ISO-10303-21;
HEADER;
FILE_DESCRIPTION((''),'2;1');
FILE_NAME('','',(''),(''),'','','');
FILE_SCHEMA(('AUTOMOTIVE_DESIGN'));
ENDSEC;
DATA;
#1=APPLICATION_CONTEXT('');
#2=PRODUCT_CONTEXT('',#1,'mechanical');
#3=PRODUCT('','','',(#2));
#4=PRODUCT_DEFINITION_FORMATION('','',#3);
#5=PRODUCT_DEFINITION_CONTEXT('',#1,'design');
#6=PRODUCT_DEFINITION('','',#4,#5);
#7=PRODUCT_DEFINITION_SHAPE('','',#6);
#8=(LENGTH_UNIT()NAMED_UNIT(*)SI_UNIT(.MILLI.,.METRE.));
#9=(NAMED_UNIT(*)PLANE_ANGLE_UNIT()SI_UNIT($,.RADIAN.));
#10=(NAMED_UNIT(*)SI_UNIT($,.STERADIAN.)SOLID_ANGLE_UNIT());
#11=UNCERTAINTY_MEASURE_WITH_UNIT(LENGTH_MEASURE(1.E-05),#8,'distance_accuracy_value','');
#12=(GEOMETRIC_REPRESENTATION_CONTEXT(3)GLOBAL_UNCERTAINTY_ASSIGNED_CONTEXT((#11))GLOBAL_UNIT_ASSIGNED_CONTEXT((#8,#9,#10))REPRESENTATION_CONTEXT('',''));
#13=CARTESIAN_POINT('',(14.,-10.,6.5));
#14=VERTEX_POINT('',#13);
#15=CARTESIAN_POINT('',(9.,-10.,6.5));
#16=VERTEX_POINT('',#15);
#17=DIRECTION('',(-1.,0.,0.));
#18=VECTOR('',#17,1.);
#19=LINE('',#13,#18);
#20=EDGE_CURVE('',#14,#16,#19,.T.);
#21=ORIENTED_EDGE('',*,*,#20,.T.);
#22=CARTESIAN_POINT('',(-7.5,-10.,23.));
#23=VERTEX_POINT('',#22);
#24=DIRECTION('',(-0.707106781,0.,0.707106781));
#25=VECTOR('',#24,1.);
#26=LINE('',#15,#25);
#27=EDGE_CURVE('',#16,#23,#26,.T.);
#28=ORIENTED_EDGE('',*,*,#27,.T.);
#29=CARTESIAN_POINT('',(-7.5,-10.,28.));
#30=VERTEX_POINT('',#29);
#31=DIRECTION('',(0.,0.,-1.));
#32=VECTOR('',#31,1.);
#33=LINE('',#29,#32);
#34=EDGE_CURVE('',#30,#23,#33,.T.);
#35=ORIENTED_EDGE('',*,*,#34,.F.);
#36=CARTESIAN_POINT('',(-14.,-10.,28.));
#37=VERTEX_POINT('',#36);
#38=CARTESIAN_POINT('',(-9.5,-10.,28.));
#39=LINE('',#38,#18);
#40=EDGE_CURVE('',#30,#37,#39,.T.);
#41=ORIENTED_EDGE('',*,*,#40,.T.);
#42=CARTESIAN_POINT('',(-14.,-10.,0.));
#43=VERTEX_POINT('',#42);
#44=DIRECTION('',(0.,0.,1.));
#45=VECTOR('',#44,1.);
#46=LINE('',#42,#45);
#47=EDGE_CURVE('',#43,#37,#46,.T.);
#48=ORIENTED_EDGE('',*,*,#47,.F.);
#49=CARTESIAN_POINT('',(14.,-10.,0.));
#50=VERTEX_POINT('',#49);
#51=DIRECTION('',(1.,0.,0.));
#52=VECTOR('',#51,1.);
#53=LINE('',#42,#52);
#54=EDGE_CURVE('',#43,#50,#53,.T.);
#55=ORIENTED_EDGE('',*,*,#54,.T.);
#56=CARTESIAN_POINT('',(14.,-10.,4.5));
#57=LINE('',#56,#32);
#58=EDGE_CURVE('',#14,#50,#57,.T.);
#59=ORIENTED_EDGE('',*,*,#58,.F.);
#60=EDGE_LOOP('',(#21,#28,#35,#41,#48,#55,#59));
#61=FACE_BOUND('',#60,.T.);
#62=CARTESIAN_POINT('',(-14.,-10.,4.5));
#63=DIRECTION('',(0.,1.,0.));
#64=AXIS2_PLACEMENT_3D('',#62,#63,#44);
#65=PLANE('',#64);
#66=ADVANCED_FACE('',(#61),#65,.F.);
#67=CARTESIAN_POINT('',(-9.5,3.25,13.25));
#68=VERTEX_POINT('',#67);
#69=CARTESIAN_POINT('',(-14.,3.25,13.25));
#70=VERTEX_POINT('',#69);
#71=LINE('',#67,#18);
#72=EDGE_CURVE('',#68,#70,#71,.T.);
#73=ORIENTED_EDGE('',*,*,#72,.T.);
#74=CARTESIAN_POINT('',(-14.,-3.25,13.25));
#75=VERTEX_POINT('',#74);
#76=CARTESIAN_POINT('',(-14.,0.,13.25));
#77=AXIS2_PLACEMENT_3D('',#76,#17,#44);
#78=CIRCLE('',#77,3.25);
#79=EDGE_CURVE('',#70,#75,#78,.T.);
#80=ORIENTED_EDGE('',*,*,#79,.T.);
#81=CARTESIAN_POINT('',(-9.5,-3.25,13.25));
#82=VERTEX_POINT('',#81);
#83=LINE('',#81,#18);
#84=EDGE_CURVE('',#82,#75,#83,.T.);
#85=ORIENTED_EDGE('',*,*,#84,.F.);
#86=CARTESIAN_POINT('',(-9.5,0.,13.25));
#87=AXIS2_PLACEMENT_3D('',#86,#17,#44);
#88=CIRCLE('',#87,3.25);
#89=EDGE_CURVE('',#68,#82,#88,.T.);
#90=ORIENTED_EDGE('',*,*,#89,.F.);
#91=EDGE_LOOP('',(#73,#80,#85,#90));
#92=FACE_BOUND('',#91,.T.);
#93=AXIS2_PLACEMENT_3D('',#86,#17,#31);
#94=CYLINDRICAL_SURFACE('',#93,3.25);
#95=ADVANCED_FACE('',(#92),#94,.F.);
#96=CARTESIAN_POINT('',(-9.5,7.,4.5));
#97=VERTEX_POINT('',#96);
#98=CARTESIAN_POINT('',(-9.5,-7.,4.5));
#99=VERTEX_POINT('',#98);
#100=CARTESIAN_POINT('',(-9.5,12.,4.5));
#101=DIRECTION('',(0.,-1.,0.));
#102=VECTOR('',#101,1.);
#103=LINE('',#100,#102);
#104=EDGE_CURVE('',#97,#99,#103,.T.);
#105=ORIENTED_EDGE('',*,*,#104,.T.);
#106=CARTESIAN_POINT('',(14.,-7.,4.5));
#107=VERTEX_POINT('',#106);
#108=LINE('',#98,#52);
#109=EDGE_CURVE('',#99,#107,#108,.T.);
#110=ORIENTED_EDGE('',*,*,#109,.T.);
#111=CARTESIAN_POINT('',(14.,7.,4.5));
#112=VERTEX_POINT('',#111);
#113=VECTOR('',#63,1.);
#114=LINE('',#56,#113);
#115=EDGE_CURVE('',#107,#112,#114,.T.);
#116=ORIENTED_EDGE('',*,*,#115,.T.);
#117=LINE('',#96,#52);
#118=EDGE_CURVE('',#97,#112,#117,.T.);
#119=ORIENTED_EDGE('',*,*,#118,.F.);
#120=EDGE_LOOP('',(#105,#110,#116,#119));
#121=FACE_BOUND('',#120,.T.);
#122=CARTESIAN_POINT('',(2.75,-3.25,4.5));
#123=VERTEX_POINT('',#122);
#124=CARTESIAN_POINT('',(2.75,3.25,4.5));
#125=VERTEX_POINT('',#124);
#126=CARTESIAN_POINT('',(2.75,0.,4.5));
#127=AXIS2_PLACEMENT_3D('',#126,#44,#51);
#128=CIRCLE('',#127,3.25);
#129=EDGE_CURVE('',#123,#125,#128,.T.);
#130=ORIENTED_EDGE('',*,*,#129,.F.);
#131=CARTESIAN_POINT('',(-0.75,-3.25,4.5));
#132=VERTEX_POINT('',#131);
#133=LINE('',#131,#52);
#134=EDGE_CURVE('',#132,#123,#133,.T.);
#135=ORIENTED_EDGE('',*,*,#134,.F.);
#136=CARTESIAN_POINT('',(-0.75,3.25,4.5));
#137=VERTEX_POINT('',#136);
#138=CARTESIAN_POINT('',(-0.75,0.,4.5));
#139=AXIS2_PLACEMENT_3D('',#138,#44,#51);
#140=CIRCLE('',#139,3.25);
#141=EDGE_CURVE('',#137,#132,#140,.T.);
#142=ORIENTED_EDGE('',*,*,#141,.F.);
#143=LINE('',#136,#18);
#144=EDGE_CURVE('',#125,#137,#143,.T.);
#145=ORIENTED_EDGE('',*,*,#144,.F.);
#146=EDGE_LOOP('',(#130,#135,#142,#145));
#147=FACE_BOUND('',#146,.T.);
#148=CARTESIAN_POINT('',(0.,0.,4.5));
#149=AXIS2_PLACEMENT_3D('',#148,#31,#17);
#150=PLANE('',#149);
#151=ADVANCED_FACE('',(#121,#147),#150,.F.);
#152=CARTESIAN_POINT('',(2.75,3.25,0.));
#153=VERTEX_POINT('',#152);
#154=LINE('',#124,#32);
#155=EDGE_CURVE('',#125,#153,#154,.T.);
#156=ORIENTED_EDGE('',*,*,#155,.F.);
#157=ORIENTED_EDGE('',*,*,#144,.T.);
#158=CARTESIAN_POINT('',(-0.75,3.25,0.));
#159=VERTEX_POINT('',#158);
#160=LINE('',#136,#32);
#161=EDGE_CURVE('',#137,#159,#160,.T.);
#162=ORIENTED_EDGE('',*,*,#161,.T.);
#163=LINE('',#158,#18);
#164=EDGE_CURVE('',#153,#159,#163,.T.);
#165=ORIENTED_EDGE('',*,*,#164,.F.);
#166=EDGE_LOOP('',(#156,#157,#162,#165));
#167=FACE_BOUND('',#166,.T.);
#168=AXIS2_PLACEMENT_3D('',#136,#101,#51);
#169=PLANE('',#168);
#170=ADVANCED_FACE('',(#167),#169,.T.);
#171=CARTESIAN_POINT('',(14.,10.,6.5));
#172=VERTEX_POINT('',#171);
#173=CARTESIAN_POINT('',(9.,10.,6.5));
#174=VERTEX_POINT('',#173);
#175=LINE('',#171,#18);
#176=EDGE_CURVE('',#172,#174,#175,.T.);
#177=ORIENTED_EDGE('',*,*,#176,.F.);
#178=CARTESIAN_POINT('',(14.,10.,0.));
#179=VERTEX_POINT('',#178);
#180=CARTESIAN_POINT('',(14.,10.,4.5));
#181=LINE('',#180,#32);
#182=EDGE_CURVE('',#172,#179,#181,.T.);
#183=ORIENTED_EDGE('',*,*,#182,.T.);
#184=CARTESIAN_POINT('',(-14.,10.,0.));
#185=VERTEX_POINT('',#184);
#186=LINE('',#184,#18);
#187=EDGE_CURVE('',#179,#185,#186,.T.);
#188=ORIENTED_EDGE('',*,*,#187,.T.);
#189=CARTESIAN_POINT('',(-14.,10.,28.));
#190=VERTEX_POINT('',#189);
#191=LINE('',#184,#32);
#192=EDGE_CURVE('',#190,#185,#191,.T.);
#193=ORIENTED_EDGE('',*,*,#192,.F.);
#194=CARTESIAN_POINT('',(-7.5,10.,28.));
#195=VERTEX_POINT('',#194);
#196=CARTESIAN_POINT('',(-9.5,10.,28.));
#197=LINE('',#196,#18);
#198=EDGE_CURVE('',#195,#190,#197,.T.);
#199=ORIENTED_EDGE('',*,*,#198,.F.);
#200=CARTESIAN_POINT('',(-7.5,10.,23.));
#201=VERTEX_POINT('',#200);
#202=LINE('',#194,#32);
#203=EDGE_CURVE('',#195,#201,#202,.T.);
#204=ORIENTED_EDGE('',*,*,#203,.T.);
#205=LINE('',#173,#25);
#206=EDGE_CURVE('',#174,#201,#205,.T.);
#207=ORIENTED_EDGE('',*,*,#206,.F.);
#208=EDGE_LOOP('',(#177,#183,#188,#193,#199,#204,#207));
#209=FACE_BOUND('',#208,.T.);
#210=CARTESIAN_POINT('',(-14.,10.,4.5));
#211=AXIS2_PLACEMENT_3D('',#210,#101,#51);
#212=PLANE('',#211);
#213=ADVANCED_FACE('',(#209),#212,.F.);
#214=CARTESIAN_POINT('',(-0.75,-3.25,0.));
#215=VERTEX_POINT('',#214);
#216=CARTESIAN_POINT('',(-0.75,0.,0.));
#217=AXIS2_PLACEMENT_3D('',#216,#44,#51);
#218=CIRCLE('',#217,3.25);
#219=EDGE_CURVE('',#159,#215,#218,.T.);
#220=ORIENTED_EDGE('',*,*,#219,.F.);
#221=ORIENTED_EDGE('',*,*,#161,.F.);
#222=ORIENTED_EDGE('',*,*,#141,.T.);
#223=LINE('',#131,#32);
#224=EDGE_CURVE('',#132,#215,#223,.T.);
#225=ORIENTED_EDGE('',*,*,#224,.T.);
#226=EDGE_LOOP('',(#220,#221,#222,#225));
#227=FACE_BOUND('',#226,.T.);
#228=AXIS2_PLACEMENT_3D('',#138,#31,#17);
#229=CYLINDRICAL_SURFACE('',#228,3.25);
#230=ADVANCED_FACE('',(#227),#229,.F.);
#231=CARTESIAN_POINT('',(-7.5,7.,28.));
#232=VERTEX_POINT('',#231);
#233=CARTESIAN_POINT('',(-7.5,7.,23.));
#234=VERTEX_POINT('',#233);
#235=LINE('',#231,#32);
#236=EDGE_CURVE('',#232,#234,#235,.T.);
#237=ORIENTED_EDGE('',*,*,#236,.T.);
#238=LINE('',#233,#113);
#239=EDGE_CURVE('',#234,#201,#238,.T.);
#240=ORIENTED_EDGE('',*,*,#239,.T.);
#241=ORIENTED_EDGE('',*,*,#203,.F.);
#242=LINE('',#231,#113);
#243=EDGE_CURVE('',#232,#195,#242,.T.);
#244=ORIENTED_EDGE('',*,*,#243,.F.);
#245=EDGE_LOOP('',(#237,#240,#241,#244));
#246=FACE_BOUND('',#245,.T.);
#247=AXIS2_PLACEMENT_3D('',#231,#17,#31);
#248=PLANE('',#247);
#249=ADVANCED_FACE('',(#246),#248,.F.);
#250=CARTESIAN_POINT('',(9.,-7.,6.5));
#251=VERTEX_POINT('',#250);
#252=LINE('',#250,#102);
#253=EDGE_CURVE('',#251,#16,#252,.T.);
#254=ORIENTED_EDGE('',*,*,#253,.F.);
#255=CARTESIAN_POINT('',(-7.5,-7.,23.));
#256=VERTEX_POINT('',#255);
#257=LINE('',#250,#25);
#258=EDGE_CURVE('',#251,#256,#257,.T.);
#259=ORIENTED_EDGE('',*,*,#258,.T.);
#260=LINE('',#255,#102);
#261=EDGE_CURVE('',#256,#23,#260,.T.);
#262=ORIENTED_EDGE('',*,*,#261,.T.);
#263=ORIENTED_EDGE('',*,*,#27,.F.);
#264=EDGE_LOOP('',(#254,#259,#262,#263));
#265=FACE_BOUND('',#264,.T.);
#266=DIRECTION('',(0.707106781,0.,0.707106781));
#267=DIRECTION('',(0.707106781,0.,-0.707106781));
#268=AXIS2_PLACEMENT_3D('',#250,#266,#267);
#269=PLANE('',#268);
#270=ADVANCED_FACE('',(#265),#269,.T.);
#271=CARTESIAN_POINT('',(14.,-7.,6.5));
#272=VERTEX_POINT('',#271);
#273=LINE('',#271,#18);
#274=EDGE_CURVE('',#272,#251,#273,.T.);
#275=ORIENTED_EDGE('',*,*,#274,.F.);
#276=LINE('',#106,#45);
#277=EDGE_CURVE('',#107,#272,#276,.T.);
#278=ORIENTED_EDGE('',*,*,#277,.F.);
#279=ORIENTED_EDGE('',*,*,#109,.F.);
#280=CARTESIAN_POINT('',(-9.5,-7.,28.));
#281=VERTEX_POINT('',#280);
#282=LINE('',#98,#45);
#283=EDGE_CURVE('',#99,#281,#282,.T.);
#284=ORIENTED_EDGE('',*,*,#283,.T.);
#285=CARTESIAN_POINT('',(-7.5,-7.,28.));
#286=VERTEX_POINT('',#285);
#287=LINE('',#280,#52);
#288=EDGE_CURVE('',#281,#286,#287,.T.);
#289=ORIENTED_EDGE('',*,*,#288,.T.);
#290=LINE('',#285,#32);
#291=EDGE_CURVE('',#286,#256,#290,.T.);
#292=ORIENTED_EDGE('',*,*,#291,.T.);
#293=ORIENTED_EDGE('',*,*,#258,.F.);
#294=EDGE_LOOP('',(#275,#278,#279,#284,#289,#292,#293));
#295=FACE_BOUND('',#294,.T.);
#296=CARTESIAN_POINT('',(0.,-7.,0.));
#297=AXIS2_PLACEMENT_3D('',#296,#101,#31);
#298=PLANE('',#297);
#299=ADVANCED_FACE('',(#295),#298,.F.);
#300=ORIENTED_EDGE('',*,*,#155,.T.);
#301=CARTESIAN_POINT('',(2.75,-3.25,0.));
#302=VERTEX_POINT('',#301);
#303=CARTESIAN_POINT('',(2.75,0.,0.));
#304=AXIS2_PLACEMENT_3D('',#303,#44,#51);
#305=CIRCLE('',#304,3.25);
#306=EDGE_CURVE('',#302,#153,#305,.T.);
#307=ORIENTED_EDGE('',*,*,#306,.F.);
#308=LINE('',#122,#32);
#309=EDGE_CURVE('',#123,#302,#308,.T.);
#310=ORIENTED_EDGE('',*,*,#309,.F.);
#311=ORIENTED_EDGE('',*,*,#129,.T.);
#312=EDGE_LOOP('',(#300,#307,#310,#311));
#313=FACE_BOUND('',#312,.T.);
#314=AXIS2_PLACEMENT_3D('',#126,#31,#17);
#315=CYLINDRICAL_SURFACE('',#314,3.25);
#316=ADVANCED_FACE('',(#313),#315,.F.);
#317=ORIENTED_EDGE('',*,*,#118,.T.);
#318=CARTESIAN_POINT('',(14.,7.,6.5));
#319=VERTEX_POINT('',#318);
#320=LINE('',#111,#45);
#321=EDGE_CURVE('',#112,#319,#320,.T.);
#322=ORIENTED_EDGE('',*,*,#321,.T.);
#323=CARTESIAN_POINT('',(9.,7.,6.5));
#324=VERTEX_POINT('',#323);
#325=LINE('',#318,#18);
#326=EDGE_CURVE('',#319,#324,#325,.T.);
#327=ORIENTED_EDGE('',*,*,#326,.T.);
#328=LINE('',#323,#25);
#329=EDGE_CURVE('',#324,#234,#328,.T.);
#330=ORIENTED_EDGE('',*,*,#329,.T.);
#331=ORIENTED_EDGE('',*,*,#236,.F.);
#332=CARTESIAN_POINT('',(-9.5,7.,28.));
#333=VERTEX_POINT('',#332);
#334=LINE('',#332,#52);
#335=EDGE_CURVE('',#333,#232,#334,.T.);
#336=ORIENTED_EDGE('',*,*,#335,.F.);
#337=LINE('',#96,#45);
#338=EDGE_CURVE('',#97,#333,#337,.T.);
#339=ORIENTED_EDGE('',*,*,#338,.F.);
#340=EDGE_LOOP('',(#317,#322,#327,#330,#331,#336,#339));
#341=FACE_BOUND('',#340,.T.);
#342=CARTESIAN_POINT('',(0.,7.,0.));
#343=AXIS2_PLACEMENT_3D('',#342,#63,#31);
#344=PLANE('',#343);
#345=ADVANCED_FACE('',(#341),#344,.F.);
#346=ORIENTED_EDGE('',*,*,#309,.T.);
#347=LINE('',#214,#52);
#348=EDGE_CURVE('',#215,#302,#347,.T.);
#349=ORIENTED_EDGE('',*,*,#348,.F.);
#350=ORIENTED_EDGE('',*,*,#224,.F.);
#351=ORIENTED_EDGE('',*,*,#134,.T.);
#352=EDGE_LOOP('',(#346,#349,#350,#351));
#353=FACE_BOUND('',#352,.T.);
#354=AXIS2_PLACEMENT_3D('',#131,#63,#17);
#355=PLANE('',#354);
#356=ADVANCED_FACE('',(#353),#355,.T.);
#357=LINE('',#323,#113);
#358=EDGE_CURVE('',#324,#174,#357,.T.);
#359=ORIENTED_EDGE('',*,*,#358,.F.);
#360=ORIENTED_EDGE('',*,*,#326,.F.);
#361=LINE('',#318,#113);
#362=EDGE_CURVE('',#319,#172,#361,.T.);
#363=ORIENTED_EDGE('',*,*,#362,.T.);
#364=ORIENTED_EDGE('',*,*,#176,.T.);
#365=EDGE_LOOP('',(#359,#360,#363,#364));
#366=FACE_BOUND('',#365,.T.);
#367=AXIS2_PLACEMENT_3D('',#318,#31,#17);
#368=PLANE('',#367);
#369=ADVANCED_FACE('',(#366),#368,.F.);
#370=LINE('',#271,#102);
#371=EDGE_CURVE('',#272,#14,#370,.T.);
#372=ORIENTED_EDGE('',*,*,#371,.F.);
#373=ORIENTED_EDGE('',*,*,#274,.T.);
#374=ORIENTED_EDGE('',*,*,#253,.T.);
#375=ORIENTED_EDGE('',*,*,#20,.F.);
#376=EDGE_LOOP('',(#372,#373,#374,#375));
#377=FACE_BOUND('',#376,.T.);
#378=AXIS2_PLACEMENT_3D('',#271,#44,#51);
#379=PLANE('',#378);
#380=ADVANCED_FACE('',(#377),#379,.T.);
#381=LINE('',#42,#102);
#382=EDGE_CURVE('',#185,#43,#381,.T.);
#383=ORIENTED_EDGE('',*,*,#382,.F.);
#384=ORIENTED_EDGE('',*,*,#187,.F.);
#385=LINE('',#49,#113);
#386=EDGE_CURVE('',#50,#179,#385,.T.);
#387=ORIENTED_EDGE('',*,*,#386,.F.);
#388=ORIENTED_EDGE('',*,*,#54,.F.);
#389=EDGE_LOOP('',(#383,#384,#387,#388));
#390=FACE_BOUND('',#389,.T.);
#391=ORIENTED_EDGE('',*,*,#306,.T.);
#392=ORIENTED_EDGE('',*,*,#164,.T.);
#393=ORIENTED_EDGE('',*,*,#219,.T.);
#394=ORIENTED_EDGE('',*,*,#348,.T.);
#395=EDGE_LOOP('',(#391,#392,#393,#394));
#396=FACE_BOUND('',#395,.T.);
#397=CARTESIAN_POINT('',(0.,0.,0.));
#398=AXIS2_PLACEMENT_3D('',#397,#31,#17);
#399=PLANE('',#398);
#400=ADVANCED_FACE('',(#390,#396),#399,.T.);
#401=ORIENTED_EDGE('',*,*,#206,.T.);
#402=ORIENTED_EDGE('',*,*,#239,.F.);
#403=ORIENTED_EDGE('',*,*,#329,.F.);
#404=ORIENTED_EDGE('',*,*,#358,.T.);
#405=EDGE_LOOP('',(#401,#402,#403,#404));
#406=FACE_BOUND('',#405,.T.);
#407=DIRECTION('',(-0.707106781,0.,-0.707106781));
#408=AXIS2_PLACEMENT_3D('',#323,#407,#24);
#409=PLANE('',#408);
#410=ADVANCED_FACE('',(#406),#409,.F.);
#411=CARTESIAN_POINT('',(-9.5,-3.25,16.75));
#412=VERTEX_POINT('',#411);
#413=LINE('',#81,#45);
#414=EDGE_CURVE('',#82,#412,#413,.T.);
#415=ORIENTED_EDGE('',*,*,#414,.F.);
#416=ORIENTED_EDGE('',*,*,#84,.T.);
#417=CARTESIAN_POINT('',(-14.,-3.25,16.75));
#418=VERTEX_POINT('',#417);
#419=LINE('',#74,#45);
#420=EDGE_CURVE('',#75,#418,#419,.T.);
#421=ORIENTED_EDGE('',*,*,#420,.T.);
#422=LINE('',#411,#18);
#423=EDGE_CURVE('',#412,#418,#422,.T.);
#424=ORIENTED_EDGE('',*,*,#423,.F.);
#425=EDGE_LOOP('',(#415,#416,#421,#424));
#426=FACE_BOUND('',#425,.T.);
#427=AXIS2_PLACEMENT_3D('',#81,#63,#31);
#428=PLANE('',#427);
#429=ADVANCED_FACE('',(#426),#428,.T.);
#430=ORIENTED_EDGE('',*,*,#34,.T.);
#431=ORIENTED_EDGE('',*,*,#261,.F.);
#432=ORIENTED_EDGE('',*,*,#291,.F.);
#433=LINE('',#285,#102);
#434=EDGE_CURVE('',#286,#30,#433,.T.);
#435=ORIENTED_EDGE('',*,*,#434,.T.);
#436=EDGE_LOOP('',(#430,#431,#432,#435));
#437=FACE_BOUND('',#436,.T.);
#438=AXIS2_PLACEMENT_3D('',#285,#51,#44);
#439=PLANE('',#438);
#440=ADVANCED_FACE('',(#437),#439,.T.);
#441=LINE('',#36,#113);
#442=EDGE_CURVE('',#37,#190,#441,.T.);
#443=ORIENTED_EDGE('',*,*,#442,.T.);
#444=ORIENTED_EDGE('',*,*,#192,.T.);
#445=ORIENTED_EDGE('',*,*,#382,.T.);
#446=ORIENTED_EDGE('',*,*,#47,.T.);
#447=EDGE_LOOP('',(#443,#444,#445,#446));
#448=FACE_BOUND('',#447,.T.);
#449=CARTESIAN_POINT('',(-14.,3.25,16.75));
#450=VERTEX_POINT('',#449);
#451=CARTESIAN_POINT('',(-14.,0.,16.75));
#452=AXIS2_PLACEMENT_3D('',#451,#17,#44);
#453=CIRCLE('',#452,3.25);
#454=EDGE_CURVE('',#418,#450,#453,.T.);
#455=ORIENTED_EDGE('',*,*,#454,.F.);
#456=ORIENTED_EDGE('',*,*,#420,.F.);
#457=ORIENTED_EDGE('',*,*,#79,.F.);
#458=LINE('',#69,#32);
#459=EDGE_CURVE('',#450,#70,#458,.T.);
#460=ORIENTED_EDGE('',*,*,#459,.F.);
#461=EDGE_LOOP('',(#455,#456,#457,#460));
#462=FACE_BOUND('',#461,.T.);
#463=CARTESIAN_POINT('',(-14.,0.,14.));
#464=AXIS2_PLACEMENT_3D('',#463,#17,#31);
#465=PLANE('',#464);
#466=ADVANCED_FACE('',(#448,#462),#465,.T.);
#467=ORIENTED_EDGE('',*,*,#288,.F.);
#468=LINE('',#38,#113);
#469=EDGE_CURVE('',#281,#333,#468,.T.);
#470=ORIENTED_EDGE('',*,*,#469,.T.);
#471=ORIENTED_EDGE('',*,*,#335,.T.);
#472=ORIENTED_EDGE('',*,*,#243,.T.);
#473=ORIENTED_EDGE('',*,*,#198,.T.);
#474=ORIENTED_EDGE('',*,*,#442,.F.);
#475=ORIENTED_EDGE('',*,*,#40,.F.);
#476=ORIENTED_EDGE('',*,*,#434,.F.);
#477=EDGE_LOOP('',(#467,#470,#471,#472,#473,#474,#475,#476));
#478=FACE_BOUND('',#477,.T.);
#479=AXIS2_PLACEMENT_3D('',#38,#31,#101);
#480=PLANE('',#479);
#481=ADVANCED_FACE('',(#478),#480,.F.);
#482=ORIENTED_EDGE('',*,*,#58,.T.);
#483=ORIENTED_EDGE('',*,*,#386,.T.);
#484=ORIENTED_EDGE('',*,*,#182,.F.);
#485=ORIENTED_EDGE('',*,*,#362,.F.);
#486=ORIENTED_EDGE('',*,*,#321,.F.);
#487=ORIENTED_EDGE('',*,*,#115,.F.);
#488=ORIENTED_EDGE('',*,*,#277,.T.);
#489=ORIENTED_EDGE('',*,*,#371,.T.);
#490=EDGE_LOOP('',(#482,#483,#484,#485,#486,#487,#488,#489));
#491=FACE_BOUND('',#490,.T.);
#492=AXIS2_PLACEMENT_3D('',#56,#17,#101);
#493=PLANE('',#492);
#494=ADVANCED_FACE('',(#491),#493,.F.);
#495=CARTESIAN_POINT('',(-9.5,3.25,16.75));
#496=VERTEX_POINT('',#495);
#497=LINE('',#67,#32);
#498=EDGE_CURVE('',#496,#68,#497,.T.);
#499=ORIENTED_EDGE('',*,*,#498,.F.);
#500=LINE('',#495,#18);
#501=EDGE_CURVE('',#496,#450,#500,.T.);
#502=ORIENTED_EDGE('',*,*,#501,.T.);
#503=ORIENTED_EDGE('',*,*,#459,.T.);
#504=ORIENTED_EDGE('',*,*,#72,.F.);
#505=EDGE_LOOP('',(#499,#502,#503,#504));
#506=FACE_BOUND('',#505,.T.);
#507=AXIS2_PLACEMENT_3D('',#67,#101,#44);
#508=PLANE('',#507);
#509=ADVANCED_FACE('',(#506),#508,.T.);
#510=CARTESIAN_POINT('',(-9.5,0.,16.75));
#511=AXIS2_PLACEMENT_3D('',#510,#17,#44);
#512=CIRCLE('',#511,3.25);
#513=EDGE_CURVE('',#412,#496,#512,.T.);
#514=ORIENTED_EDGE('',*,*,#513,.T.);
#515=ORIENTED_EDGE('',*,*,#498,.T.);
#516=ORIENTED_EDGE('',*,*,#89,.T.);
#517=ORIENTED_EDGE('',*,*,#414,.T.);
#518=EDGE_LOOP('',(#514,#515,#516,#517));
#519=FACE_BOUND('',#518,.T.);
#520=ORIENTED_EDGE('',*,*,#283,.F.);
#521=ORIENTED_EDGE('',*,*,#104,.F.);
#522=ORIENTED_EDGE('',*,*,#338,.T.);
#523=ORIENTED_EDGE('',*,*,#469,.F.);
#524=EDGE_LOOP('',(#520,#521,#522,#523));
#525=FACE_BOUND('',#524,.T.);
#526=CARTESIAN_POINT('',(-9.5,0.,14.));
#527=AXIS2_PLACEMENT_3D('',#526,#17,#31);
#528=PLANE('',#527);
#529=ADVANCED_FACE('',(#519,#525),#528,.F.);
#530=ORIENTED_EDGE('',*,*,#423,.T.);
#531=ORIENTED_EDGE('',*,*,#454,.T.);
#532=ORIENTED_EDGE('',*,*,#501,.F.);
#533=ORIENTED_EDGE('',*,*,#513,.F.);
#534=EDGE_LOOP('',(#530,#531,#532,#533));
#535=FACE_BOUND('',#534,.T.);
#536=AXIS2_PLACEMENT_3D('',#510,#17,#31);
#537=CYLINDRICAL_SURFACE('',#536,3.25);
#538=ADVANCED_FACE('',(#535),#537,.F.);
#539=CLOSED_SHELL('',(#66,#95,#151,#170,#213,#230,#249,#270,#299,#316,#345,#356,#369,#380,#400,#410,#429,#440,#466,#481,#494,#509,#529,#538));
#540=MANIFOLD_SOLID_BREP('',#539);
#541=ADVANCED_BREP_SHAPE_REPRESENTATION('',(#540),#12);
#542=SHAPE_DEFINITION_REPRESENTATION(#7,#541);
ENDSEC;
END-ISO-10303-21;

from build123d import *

# Parameters (mm, degrees)
SKETCH1_W           = 28
SKETCH1_H           = 20
BOSS_EXTRUDE1_DEPTH = 4.5
CUT_EXTRUDE1_DEPTH  = 22
BOSS_EXTRUDE3_DEPTH = 3


with BuildPart() as part:
    # Sketch1 → Boss-Extrude1 (new body)
    with BuildSketch(Plane.XY):
        Rectangle(SKETCH1_W, SKETCH1_H)
        with BuildLine():
            Line((-0.75, 3.25), (2.75, 3.25))
            ThreePointArc((2.75, 3.25), (6, 0), (2.75, -3.25))
            Line((2.75, -3.25), (-0.75, -3.25))
            ThreePointArc((-0.75, -3.25), (-4, 0), (-0.75, 3.25))
        make_face(mode=Mode.SUBTRACT)
    extrude(amount=BOSS_EXTRUDE1_DEPTH)

    # Sketch3 → Cut-Extrude1 (cut)
    with BuildSketch(Plane(origin=(0, -10, 0), x_dir=(-1, 0, 0), z_dir=(0, -1, 0))):
        Polygon((14, 0), (9.5, -4.5), (14, -4.5), align=None)
    extrude(amount=-CUT_EXTRUDE1_DEPTH, mode=Mode.SUBTRACT)

    # Sketch4 → Boss-Extrude3 (add)
    with BuildSketch(Plane(origin=(0, -10, 0), x_dir=(-1, 0, 0), z_dir=(0, -1, 0))):
        Polygon((-14, -4.5), (-14, -6.5), (-9, -6.5), (-0.75, -14.75), (9.5, -4.5), align=None)
    boss_extrude3 = extrude(amount=-BOSS_EXTRUDE3_DEPTH)

    # Mirror1: Boss-Extrude3 across plane
    add(boss_extrude3.mirror(Plane(origin=(0, 0, 0), x_dir=(0, 0, 1), z_dir=(0, -1, 0))))

    # Mirror2: part across plane


with BuildPart() as part_1:
    add(part.part)
    add(part.part.mirror(Plane(origin=(-14, 12, 0), x_dir=(0.7071067811865476, 0, 0.7071067811865476), z_dir=(0.7071067811865477, 0, -0.7071067811865475))))


solid = part_1.part
